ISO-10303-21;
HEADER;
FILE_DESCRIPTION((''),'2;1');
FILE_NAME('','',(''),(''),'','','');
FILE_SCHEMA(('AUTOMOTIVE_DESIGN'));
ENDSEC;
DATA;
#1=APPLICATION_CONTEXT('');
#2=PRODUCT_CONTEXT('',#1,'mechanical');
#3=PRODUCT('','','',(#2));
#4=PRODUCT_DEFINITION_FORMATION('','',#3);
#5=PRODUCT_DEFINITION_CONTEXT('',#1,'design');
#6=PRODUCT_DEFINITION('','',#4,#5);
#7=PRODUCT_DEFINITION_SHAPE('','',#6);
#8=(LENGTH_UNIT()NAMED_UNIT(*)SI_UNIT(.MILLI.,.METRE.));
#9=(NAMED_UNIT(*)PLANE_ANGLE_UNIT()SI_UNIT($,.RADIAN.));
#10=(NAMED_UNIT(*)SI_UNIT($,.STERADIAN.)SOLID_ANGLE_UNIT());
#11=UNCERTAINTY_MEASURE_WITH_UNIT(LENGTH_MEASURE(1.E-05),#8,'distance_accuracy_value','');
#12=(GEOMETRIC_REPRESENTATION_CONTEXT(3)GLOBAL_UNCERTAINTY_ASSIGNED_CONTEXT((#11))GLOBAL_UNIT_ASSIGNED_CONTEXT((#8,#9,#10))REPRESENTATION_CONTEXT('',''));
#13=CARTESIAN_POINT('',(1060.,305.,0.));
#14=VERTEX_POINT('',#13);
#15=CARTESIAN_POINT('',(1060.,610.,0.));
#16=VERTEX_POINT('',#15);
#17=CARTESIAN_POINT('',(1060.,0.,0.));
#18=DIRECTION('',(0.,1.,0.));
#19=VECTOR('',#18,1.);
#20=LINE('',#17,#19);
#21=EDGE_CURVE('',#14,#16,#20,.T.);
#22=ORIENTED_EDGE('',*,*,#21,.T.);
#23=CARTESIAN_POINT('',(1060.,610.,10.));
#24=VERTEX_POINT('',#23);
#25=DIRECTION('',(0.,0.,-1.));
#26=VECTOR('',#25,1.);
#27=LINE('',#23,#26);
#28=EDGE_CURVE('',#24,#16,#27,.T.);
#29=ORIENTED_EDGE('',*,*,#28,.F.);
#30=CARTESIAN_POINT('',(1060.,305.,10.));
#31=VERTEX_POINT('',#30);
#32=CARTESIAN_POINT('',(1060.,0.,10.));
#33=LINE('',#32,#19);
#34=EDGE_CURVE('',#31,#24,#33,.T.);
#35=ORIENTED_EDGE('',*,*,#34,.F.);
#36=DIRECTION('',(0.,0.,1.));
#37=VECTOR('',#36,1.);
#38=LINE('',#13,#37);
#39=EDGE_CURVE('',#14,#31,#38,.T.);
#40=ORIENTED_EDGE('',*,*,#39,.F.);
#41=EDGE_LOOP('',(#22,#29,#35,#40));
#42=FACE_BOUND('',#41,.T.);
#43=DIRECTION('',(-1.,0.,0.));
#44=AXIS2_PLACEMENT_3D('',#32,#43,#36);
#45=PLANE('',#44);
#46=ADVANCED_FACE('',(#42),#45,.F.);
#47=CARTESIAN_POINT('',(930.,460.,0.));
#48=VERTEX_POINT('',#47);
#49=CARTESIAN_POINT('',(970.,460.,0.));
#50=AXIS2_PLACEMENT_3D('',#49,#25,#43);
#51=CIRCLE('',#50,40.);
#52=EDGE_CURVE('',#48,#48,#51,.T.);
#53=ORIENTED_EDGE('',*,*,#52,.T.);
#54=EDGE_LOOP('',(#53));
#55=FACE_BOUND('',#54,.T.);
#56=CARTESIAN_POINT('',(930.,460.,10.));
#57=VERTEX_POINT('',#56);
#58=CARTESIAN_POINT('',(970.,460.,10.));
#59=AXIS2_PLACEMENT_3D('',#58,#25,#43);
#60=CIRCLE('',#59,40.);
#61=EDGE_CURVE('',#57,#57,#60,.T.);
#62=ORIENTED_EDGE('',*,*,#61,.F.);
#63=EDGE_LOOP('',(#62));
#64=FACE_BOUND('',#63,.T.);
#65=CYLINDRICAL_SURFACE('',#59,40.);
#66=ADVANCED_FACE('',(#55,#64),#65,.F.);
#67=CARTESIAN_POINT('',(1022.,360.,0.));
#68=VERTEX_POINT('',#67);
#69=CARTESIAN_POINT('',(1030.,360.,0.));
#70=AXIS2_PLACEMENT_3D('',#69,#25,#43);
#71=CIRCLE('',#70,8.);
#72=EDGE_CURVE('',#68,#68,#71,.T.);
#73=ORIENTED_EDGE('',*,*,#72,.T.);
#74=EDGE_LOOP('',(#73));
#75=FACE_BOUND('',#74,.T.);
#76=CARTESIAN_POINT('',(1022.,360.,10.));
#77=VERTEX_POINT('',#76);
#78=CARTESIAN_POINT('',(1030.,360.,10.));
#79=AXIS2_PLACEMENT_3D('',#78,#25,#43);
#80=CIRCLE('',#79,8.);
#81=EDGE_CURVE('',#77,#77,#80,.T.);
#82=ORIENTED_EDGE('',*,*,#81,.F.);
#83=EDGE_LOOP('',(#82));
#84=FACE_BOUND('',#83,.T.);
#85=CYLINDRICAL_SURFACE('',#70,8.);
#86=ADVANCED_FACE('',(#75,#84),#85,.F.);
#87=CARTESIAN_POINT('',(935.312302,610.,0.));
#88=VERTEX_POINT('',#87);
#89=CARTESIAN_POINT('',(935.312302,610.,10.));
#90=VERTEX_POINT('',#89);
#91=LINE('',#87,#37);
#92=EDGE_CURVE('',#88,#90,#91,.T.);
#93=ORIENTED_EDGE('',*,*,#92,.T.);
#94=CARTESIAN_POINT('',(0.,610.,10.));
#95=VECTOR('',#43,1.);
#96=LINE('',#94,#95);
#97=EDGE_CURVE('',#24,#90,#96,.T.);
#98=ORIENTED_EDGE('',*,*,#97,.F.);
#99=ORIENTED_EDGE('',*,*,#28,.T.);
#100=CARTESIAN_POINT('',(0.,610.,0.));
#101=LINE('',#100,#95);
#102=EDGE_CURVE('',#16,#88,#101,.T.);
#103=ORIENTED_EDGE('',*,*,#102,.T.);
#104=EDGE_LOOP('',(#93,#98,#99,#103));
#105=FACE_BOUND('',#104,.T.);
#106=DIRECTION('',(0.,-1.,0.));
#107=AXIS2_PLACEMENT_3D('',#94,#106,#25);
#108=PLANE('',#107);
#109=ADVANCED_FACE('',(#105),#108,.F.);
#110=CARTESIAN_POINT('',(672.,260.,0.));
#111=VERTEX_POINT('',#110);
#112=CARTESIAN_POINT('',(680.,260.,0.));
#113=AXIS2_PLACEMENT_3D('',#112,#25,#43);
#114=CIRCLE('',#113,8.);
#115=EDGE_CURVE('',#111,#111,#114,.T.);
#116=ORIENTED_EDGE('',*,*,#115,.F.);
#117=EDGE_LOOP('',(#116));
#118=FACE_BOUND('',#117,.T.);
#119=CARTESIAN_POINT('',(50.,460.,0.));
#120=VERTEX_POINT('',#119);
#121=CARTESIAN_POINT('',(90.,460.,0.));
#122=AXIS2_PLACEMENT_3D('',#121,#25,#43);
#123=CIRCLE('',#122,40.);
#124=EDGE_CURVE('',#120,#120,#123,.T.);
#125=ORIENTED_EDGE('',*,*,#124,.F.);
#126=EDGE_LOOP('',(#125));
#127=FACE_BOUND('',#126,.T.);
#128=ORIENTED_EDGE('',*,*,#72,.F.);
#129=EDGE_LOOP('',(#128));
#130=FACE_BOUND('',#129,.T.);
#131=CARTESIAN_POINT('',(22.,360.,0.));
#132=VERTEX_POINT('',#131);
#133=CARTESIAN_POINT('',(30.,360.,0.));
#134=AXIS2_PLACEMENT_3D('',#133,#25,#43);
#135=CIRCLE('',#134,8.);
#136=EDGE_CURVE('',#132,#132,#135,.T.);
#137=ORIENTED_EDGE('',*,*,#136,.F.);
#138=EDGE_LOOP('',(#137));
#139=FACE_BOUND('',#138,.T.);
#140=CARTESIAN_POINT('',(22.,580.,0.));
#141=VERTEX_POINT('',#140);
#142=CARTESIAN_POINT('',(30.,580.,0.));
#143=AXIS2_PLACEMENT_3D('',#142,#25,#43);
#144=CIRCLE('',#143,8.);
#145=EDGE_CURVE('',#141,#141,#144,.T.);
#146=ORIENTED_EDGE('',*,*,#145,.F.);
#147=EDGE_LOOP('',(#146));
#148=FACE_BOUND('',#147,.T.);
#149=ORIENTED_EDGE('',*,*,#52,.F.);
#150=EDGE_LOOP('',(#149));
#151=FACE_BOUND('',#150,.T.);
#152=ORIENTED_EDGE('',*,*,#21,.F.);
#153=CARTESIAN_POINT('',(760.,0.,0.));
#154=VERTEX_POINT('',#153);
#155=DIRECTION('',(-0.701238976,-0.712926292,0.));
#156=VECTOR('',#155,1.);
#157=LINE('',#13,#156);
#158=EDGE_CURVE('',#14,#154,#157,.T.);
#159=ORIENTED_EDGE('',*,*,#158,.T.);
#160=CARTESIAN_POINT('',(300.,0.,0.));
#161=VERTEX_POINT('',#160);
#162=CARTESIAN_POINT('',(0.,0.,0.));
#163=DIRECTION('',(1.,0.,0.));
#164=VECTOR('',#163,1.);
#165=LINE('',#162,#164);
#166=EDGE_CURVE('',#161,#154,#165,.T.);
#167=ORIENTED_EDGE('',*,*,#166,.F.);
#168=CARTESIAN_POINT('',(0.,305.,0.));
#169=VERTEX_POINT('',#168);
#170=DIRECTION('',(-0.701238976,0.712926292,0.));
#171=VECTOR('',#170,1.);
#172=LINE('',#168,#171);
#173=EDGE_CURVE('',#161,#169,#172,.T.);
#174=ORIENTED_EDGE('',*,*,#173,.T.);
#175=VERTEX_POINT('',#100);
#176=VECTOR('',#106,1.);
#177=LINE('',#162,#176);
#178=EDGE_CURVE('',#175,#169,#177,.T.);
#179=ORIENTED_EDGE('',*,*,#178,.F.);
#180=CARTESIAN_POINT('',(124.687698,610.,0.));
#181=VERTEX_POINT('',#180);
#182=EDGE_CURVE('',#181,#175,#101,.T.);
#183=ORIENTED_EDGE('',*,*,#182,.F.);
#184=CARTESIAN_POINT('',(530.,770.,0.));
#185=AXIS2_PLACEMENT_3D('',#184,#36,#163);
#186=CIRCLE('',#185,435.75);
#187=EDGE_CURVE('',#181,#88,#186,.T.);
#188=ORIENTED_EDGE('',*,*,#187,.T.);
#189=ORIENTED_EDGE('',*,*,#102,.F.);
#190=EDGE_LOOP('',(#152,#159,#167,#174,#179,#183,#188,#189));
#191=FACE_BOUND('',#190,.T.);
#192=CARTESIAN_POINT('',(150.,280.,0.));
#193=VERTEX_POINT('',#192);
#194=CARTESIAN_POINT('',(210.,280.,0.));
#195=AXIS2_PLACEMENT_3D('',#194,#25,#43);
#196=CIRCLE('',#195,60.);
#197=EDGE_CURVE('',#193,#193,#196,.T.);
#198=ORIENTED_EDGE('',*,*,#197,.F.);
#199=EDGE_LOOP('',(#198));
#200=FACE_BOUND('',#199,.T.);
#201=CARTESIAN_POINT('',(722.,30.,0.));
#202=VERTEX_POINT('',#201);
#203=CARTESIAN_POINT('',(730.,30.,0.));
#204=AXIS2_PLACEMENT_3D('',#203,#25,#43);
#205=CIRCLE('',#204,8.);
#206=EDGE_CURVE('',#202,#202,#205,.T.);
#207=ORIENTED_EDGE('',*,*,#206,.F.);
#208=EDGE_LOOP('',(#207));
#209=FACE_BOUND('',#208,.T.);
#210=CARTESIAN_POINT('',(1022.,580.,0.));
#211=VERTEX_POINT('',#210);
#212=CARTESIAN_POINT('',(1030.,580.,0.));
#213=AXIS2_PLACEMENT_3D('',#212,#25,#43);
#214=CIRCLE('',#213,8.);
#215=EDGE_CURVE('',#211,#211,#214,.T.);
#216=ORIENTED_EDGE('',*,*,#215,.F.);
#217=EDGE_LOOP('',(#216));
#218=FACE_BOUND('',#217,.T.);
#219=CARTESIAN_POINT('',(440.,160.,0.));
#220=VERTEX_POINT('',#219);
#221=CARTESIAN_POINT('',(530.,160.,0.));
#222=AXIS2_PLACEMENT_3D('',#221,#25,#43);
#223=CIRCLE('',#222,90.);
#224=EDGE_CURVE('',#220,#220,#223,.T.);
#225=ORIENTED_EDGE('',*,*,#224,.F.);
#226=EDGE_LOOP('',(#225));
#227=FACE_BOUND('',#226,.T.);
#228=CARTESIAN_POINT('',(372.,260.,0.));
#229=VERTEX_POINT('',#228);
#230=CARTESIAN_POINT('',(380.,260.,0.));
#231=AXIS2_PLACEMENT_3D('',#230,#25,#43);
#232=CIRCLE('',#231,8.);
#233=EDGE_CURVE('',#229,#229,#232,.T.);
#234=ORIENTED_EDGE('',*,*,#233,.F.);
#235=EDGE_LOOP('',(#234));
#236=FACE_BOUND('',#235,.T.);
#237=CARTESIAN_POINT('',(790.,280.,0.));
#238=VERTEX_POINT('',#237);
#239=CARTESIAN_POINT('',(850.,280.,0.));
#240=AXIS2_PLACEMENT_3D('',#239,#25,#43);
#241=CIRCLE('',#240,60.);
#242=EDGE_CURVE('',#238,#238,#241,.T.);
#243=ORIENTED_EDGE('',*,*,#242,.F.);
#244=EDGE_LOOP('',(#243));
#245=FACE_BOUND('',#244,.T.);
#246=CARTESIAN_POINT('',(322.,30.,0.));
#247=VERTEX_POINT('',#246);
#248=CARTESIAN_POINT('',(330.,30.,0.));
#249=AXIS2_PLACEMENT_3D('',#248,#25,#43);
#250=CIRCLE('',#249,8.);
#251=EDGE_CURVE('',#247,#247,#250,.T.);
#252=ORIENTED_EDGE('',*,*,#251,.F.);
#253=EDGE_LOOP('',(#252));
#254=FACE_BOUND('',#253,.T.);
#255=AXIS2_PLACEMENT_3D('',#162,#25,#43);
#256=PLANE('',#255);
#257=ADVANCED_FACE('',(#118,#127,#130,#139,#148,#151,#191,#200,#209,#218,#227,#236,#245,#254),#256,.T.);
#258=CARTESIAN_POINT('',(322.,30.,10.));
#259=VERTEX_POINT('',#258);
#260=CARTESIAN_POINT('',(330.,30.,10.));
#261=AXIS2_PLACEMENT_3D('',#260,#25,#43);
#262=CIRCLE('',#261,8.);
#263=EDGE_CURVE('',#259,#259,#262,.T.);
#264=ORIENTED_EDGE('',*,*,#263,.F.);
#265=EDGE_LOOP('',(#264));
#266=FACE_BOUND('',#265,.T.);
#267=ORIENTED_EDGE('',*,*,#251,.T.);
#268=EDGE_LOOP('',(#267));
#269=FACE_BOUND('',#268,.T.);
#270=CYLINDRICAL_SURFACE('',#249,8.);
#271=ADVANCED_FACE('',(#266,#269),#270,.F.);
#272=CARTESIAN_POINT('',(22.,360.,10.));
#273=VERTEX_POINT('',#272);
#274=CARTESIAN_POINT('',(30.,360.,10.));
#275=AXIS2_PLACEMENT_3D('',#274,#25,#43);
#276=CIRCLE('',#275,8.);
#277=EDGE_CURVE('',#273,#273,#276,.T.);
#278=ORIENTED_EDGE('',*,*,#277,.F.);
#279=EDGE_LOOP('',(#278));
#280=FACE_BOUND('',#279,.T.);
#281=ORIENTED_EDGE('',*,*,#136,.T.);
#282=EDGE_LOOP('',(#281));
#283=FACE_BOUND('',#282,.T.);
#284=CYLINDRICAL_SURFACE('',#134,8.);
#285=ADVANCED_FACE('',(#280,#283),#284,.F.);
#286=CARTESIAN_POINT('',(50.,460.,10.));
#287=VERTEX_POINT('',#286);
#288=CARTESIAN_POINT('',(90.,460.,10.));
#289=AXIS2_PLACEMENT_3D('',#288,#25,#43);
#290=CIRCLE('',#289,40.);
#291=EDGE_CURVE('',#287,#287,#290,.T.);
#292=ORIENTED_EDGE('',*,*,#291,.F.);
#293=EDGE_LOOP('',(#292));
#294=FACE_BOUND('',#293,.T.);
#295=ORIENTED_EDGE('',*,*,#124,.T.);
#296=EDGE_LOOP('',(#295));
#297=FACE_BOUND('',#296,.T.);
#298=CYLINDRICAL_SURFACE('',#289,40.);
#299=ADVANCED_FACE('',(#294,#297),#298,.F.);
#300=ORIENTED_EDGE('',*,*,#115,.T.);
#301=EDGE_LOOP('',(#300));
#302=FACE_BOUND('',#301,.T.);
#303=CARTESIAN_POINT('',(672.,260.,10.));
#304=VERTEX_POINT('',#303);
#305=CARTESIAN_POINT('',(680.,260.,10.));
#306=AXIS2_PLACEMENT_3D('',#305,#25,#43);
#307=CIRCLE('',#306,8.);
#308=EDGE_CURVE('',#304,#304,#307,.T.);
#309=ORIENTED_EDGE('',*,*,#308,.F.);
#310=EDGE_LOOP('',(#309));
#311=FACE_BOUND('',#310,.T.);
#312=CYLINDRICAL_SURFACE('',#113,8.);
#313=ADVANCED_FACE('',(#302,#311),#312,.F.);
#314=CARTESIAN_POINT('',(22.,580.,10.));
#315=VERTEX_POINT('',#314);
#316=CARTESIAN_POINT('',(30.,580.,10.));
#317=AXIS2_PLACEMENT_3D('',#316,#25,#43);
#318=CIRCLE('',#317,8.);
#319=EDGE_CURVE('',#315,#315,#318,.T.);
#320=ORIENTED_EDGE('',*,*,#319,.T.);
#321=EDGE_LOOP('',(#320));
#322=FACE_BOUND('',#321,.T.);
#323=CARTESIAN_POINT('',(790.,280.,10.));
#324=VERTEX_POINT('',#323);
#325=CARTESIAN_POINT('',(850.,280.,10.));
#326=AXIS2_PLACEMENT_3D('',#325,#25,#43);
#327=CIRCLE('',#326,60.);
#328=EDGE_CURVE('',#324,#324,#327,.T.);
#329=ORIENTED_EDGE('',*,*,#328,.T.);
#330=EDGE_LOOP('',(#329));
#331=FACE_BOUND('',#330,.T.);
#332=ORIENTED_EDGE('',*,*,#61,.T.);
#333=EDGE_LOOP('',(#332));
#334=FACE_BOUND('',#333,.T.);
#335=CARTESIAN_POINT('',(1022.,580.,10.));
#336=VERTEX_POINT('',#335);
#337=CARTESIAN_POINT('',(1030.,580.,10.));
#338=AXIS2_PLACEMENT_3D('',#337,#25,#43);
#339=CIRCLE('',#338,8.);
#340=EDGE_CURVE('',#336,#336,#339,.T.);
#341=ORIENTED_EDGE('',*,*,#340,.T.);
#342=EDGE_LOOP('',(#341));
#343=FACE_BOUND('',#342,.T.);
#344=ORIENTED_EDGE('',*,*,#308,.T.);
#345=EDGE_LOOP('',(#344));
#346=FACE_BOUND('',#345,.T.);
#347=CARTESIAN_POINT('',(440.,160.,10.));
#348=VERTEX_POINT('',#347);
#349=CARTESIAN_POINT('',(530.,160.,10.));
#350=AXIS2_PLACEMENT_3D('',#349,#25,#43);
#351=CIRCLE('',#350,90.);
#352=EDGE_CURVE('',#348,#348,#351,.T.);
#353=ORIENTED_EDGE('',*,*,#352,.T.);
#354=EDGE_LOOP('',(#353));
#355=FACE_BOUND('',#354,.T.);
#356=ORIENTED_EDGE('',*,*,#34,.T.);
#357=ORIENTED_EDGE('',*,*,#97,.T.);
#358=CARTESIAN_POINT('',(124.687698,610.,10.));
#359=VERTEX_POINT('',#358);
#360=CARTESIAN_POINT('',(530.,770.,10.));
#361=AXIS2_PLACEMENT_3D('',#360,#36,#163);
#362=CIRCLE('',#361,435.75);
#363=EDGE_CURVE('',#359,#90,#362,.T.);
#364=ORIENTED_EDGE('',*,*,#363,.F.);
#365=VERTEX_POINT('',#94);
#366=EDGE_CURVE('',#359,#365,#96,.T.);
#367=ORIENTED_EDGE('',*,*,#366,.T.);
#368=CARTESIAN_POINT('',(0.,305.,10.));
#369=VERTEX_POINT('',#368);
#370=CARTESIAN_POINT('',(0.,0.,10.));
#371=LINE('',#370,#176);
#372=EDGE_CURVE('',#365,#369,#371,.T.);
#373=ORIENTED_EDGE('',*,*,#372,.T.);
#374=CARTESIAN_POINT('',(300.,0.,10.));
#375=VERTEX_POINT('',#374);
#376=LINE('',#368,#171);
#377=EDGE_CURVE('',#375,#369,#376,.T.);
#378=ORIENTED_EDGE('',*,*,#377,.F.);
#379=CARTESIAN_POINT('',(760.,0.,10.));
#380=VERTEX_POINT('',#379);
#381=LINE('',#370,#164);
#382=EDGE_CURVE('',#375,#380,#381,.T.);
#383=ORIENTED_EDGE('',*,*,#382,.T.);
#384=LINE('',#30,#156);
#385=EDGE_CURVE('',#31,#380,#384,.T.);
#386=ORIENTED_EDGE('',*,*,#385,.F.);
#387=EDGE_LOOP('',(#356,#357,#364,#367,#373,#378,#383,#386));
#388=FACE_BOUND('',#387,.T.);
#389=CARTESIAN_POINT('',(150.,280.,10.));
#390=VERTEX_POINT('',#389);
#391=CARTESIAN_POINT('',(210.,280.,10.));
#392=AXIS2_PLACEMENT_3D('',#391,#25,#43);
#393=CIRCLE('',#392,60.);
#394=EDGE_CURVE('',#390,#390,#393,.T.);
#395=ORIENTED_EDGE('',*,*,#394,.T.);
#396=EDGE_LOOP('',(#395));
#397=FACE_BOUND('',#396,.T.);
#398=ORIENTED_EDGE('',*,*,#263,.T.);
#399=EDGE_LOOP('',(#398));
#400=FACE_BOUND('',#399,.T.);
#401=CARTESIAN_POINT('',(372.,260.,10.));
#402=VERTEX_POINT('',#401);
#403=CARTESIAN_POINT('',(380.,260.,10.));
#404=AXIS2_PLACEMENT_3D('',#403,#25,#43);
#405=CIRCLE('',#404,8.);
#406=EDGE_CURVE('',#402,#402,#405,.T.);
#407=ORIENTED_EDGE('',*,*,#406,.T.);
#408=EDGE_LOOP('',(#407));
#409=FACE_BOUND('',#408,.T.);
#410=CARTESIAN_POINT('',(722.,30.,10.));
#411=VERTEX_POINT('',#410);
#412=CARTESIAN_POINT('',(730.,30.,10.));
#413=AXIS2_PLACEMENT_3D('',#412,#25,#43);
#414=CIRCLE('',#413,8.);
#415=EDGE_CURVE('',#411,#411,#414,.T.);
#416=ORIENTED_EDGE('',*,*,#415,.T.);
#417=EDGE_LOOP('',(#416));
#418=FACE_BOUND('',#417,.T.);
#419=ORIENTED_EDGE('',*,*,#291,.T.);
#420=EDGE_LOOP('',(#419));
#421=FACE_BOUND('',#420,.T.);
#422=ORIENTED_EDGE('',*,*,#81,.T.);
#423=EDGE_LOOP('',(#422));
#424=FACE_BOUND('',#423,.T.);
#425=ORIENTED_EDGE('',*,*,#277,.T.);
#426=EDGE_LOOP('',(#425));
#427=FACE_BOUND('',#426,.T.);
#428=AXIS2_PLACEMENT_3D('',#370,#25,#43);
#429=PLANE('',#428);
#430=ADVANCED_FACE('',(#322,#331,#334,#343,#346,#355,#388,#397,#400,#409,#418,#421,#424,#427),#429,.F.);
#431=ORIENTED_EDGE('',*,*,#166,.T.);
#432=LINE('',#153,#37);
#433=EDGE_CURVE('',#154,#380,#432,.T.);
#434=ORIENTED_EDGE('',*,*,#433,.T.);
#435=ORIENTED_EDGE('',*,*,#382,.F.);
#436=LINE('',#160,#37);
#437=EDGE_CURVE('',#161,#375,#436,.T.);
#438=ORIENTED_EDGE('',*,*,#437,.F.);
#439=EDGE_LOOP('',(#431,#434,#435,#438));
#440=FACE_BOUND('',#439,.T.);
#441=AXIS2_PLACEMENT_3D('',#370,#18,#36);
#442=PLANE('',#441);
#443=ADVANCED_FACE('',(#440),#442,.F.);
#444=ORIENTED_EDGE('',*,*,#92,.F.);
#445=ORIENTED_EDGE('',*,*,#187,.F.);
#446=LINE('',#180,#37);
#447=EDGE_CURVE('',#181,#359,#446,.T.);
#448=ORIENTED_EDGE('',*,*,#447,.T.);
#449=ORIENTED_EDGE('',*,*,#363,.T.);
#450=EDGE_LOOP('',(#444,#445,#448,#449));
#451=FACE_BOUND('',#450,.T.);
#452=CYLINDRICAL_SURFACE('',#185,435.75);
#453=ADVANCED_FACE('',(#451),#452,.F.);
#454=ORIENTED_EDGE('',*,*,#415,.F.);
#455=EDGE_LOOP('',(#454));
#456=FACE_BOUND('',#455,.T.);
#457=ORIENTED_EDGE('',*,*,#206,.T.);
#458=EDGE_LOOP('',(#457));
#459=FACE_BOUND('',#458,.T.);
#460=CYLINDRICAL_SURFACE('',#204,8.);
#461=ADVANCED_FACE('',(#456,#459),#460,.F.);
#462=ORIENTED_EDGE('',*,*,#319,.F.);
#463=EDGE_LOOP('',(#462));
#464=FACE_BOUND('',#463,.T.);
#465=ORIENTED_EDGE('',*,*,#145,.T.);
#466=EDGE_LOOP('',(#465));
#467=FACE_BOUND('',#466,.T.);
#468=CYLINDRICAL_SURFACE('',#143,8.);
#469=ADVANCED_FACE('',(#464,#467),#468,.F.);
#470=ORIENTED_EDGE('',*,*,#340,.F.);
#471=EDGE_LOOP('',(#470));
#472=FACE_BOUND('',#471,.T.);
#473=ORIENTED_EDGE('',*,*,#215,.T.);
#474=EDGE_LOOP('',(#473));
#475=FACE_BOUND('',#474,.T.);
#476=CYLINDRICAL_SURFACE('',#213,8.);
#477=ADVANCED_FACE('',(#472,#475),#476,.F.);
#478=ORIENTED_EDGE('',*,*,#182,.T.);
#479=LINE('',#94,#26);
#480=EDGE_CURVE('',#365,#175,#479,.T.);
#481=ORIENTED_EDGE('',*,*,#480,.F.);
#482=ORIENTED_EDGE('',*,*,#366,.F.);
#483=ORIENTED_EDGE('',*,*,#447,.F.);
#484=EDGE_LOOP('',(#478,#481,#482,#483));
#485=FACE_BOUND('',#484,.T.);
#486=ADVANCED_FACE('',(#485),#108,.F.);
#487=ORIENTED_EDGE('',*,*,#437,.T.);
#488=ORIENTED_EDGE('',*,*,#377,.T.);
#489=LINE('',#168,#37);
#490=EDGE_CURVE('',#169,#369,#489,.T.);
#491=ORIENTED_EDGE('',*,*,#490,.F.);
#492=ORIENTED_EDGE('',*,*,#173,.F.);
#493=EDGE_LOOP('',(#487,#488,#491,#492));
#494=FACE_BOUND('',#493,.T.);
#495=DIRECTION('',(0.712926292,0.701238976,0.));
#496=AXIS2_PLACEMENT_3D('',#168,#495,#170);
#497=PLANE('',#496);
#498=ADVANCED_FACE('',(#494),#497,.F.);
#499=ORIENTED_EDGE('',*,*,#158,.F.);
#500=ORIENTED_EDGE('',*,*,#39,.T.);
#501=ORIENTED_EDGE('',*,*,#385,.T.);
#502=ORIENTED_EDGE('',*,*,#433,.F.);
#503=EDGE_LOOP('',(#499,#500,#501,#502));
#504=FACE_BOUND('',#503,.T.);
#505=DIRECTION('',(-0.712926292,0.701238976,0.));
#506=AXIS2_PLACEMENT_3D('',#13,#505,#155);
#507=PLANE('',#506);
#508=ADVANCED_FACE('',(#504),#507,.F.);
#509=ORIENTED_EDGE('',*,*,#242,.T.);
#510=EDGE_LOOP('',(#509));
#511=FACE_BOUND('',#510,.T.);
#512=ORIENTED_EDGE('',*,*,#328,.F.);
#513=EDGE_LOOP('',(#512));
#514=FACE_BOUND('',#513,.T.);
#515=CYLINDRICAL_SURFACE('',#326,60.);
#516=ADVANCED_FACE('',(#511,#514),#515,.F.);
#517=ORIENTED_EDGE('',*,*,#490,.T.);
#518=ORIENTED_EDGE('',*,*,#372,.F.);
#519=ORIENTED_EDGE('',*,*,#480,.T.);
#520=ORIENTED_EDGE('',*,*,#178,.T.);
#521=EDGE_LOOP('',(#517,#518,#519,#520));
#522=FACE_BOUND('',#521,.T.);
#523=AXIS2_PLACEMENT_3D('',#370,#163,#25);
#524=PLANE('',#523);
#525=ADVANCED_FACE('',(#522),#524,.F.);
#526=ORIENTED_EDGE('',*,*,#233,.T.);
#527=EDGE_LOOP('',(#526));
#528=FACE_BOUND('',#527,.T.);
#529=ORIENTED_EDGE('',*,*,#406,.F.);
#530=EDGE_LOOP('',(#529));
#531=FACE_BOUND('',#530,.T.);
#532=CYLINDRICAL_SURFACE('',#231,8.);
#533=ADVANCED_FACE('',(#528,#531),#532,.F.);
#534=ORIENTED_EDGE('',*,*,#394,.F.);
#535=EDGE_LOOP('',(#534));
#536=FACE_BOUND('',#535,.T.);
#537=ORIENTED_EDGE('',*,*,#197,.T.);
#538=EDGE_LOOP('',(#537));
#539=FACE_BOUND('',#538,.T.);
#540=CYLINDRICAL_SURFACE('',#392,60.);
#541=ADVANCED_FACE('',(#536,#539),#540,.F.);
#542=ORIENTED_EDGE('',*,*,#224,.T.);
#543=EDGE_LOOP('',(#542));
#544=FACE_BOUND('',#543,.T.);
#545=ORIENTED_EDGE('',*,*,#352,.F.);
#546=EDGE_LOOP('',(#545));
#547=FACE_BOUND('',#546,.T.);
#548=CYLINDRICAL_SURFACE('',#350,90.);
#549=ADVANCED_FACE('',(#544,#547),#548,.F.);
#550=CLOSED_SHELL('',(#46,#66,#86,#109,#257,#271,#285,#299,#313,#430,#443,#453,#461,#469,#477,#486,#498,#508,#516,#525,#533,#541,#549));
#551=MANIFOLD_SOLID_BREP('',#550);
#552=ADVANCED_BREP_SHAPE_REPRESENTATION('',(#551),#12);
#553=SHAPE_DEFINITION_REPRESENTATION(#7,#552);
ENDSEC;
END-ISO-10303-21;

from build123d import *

# Parameters (mm, degrees)
SKETCH_1_W                  = 1060
SKETCH_1_H                  = 610
EXTRUDE_1_DEPTH             = 10
CUT_EXTRUDE_2_DEPTH         = 10
HOLE_WIZARD_16_0_16_1_D     = 16
HOLE_WIZARD_16_0_16_1_DEPTH = 42
HOLE_WIZARD_16_0_16_1_TIP   = 4.806884952
SKETCH_6_R                  = 40
SKETCH_6_R_2                = 60
SKETCH_6_R_3                = 90
CUT_EXTRUDE_3_DEPTH         = 1224.029026638


with BuildPart() as part:
    # 草图1 → 凸台-拉伸1 (new body)
    with BuildSketch(Plane.XY):
        with Locations((530, 305)):
            Rectangle(SKETCH_1_W, SKETCH_1_H)
    extrude(amount=EXTRUDE_1_DEPTH)

    # 草图3 → 切除-拉伸2 (cut)
    with BuildSketch(Plane.XY.offset(10)):
        Polygon((0, 305), (300, 0), (0, 0), align=None)
        Polygon((1060, 305), (760, 0), (1060, 0), align=None)
        with BuildLine():
            Line((935.312302429, 610), (124.687697571, 610))
            ThreePointArc((124.687697571, 610), (530, 334.25), (935.312302429, 610))
        make_face()
    extrude(amount=-CUT_EXTRUDE_2_DEPTH, mode=Mode.SUBTRACT)

    # Ø16.0 (16) 直径孔1
    with Locations(Plane(origin=(0, 0, 0), x_dir=(-1, 0, 0), z_dir=(0, 0, -1))):
        with Locations((-1030, 580), (-1030, 360), (-730, 30), (-330, 30), (-30, 360), (-30, 580), (-680, 260), (-380, 260)):
            Hole(HOLE_WIZARD_16_0_16_1_D / 2, depth=HOLE_WIZARD_16_0_16_1_DEPTH)
            with Locations((0, 0, -(HOLE_WIZARD_16_0_16_1_DEPTH + HOLE_WIZARD_16_0_16_1_TIP / 2))):  # 118° drill point
                Cone(0, HOLE_WIZARD_16_0_16_1_D / 2, HOLE_WIZARD_16_0_16_1_TIP, mode=Mode.SUBTRACT)

    # 草图6 → 切除-拉伸3 (cut, through all)
    with BuildSketch(Plane(origin=(0, 0, 0), x_dir=(-1, 0, 0), z_dir=(0, 0, -1))):
        with Locations((-970, 460)):
            Circle(SKETCH_6_R)
        with Locations((-850, 280)):
            Circle(SKETCH_6_R_2)
        with Locations((-530, 160)):
            Circle(SKETCH_6_R_3)
        with Locations((-210, 280)):
            Circle(SKETCH_6_R_2)
        with Locations((-90, 460)):
            Circle(SKETCH_6_R)
    extrude(amount=-CUT_EXTRUDE_3_DEPTH, mode=Mode.SUBTRACT)


solid = part.part
